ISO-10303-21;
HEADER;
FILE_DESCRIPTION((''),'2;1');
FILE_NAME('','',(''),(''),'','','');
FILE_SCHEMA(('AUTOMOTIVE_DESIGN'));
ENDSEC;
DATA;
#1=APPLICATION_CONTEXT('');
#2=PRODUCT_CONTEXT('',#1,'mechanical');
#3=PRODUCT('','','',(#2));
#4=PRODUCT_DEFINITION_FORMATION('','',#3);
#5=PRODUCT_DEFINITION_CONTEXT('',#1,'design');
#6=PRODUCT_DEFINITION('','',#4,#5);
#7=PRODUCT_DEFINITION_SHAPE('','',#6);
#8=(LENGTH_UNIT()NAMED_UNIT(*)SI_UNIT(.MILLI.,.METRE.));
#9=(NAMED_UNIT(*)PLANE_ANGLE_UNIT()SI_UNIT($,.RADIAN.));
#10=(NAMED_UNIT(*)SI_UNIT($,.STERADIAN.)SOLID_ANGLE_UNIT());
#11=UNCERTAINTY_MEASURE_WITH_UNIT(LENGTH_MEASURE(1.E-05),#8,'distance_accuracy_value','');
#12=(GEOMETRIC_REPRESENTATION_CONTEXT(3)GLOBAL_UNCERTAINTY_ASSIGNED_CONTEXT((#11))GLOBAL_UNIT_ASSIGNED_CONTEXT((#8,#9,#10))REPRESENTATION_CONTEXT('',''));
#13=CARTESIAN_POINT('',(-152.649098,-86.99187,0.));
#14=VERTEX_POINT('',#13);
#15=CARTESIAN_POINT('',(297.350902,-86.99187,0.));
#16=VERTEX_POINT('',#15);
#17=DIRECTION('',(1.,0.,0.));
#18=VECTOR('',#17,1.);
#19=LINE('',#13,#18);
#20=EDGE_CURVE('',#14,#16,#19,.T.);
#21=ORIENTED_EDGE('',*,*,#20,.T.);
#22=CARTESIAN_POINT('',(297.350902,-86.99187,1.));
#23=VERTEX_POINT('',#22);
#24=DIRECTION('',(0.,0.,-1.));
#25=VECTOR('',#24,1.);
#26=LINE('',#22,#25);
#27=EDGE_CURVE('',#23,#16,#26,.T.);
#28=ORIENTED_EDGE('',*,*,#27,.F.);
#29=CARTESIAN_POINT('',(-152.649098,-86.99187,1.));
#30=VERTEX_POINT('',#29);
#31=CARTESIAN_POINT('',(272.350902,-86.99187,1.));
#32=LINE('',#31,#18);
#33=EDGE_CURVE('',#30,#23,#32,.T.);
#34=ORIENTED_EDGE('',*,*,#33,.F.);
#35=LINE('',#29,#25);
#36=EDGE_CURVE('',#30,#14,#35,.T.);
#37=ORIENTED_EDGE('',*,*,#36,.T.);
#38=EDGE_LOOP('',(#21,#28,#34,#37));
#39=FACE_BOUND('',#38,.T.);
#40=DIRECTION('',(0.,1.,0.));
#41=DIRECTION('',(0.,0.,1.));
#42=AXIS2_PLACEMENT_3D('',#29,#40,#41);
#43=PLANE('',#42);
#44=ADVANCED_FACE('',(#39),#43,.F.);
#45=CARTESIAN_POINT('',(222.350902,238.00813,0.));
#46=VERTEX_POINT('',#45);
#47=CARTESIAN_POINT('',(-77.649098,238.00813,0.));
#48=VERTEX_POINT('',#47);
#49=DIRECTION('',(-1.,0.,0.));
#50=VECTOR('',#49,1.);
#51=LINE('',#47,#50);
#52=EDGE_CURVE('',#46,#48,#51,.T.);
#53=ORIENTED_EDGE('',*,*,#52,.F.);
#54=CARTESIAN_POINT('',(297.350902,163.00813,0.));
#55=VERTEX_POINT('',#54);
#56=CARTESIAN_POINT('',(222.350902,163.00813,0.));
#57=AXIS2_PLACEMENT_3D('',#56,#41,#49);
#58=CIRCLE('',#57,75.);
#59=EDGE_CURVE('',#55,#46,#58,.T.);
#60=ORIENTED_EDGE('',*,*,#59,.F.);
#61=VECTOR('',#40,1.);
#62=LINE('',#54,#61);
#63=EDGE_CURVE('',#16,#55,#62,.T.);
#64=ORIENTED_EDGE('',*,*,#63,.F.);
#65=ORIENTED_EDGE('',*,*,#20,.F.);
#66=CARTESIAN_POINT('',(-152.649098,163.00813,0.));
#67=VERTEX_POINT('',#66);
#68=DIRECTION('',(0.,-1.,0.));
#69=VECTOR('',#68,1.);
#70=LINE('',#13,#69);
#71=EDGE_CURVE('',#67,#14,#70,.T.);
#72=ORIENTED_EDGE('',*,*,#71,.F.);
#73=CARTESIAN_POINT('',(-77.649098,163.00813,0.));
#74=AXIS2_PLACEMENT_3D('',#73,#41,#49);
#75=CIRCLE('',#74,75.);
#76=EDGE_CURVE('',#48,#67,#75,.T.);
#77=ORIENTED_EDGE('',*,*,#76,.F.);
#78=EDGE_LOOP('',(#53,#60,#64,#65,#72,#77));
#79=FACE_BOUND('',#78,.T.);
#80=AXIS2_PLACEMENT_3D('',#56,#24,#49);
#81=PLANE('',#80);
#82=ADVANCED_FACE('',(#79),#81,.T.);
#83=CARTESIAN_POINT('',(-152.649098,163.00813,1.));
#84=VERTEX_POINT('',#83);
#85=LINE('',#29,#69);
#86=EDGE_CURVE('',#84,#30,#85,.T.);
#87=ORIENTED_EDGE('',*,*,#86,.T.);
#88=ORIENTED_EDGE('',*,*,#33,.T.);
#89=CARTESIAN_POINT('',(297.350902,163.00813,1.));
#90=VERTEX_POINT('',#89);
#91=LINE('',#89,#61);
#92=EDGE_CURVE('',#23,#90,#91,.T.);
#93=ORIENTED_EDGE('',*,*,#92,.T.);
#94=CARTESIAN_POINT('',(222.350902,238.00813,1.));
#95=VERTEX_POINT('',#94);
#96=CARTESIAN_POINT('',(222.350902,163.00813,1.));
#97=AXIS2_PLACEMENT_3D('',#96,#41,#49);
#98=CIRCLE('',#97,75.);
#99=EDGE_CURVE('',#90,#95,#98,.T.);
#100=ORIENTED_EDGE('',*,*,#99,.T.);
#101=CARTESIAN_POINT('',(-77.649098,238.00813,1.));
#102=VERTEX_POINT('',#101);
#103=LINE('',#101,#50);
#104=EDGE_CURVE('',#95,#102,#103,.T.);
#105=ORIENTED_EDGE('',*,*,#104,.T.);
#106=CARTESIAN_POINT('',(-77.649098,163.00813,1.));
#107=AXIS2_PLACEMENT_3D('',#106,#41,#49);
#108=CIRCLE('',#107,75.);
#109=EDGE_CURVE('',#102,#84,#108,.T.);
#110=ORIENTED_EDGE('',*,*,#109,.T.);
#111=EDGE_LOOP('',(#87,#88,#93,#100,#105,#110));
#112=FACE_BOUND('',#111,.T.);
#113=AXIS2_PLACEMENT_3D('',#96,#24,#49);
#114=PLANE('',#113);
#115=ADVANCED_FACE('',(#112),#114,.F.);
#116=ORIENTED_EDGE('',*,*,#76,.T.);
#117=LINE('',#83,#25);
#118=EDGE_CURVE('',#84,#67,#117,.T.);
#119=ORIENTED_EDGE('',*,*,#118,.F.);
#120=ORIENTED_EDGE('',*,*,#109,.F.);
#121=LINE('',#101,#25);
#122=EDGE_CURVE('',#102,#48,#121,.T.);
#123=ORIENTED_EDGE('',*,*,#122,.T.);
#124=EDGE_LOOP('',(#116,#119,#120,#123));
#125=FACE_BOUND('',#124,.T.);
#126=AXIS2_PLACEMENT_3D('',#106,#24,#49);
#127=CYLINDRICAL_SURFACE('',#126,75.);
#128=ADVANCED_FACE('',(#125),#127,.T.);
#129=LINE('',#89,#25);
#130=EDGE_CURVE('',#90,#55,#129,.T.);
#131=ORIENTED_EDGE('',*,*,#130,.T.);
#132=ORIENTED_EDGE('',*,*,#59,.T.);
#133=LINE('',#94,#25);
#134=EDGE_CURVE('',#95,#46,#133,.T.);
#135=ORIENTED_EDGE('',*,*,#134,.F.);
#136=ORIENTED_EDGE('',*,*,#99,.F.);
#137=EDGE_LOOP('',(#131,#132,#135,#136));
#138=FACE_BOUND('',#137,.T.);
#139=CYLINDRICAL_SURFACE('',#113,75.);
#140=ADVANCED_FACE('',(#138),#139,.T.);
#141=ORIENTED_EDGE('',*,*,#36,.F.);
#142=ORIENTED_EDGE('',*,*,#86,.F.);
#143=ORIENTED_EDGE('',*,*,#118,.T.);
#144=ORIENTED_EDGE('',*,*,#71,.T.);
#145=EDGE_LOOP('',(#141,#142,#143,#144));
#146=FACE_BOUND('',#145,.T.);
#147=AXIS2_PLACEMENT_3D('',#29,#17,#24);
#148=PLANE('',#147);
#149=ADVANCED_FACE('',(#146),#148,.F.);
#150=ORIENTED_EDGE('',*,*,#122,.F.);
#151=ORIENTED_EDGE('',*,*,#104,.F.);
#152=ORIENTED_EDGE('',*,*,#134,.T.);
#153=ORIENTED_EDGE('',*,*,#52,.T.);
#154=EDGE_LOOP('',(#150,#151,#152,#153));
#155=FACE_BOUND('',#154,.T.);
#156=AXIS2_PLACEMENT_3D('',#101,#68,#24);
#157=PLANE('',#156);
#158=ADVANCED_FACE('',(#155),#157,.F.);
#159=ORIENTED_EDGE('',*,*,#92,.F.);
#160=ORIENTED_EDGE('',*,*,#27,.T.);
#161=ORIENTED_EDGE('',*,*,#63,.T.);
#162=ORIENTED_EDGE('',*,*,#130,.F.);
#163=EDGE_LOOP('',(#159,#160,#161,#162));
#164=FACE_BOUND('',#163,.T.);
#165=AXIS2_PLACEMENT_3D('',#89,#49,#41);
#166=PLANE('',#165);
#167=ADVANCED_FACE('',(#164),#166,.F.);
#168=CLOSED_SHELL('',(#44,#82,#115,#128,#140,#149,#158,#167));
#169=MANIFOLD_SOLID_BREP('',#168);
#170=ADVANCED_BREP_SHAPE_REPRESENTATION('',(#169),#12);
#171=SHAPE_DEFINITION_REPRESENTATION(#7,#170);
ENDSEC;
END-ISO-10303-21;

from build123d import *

# Parameters (mm, degrees)
EXTRUDE_2_DEPTH = 1


with BuildPart() as part:
    # Эскиз1 → Бобышка-Вытянуть2 (new body)
    with BuildSketch(Plane.XY):
        with BuildLine():
            Line((-152.649098001, -86.991869919), (-152.649098001, 163.008130081))
            ThreePointArc((-152.649098001, 163.008130081), (-130.68210659, 216.04113867), (-77.649098001, 238.008130081))
            Line((-77.649098001, 238.008130081), (222.350901999, 238.008130081))
            ThreePointArc((222.350901999, 238.008130081), (275.383910588, 216.04113867), (297.350901999, 163.008130081))
            Line((297.350901999, 163.008130081), (297.350901999, -86.991869919))
            Line((297.350901999, -86.991869919), (272.350901999, -86.991869919))
            Line((272.350901999, -86.991869919), (-152.649098001, -86.991869919))
        make_face()
    extrude(amount=EXTRUDE_2_DEPTH)


solid = part.part
